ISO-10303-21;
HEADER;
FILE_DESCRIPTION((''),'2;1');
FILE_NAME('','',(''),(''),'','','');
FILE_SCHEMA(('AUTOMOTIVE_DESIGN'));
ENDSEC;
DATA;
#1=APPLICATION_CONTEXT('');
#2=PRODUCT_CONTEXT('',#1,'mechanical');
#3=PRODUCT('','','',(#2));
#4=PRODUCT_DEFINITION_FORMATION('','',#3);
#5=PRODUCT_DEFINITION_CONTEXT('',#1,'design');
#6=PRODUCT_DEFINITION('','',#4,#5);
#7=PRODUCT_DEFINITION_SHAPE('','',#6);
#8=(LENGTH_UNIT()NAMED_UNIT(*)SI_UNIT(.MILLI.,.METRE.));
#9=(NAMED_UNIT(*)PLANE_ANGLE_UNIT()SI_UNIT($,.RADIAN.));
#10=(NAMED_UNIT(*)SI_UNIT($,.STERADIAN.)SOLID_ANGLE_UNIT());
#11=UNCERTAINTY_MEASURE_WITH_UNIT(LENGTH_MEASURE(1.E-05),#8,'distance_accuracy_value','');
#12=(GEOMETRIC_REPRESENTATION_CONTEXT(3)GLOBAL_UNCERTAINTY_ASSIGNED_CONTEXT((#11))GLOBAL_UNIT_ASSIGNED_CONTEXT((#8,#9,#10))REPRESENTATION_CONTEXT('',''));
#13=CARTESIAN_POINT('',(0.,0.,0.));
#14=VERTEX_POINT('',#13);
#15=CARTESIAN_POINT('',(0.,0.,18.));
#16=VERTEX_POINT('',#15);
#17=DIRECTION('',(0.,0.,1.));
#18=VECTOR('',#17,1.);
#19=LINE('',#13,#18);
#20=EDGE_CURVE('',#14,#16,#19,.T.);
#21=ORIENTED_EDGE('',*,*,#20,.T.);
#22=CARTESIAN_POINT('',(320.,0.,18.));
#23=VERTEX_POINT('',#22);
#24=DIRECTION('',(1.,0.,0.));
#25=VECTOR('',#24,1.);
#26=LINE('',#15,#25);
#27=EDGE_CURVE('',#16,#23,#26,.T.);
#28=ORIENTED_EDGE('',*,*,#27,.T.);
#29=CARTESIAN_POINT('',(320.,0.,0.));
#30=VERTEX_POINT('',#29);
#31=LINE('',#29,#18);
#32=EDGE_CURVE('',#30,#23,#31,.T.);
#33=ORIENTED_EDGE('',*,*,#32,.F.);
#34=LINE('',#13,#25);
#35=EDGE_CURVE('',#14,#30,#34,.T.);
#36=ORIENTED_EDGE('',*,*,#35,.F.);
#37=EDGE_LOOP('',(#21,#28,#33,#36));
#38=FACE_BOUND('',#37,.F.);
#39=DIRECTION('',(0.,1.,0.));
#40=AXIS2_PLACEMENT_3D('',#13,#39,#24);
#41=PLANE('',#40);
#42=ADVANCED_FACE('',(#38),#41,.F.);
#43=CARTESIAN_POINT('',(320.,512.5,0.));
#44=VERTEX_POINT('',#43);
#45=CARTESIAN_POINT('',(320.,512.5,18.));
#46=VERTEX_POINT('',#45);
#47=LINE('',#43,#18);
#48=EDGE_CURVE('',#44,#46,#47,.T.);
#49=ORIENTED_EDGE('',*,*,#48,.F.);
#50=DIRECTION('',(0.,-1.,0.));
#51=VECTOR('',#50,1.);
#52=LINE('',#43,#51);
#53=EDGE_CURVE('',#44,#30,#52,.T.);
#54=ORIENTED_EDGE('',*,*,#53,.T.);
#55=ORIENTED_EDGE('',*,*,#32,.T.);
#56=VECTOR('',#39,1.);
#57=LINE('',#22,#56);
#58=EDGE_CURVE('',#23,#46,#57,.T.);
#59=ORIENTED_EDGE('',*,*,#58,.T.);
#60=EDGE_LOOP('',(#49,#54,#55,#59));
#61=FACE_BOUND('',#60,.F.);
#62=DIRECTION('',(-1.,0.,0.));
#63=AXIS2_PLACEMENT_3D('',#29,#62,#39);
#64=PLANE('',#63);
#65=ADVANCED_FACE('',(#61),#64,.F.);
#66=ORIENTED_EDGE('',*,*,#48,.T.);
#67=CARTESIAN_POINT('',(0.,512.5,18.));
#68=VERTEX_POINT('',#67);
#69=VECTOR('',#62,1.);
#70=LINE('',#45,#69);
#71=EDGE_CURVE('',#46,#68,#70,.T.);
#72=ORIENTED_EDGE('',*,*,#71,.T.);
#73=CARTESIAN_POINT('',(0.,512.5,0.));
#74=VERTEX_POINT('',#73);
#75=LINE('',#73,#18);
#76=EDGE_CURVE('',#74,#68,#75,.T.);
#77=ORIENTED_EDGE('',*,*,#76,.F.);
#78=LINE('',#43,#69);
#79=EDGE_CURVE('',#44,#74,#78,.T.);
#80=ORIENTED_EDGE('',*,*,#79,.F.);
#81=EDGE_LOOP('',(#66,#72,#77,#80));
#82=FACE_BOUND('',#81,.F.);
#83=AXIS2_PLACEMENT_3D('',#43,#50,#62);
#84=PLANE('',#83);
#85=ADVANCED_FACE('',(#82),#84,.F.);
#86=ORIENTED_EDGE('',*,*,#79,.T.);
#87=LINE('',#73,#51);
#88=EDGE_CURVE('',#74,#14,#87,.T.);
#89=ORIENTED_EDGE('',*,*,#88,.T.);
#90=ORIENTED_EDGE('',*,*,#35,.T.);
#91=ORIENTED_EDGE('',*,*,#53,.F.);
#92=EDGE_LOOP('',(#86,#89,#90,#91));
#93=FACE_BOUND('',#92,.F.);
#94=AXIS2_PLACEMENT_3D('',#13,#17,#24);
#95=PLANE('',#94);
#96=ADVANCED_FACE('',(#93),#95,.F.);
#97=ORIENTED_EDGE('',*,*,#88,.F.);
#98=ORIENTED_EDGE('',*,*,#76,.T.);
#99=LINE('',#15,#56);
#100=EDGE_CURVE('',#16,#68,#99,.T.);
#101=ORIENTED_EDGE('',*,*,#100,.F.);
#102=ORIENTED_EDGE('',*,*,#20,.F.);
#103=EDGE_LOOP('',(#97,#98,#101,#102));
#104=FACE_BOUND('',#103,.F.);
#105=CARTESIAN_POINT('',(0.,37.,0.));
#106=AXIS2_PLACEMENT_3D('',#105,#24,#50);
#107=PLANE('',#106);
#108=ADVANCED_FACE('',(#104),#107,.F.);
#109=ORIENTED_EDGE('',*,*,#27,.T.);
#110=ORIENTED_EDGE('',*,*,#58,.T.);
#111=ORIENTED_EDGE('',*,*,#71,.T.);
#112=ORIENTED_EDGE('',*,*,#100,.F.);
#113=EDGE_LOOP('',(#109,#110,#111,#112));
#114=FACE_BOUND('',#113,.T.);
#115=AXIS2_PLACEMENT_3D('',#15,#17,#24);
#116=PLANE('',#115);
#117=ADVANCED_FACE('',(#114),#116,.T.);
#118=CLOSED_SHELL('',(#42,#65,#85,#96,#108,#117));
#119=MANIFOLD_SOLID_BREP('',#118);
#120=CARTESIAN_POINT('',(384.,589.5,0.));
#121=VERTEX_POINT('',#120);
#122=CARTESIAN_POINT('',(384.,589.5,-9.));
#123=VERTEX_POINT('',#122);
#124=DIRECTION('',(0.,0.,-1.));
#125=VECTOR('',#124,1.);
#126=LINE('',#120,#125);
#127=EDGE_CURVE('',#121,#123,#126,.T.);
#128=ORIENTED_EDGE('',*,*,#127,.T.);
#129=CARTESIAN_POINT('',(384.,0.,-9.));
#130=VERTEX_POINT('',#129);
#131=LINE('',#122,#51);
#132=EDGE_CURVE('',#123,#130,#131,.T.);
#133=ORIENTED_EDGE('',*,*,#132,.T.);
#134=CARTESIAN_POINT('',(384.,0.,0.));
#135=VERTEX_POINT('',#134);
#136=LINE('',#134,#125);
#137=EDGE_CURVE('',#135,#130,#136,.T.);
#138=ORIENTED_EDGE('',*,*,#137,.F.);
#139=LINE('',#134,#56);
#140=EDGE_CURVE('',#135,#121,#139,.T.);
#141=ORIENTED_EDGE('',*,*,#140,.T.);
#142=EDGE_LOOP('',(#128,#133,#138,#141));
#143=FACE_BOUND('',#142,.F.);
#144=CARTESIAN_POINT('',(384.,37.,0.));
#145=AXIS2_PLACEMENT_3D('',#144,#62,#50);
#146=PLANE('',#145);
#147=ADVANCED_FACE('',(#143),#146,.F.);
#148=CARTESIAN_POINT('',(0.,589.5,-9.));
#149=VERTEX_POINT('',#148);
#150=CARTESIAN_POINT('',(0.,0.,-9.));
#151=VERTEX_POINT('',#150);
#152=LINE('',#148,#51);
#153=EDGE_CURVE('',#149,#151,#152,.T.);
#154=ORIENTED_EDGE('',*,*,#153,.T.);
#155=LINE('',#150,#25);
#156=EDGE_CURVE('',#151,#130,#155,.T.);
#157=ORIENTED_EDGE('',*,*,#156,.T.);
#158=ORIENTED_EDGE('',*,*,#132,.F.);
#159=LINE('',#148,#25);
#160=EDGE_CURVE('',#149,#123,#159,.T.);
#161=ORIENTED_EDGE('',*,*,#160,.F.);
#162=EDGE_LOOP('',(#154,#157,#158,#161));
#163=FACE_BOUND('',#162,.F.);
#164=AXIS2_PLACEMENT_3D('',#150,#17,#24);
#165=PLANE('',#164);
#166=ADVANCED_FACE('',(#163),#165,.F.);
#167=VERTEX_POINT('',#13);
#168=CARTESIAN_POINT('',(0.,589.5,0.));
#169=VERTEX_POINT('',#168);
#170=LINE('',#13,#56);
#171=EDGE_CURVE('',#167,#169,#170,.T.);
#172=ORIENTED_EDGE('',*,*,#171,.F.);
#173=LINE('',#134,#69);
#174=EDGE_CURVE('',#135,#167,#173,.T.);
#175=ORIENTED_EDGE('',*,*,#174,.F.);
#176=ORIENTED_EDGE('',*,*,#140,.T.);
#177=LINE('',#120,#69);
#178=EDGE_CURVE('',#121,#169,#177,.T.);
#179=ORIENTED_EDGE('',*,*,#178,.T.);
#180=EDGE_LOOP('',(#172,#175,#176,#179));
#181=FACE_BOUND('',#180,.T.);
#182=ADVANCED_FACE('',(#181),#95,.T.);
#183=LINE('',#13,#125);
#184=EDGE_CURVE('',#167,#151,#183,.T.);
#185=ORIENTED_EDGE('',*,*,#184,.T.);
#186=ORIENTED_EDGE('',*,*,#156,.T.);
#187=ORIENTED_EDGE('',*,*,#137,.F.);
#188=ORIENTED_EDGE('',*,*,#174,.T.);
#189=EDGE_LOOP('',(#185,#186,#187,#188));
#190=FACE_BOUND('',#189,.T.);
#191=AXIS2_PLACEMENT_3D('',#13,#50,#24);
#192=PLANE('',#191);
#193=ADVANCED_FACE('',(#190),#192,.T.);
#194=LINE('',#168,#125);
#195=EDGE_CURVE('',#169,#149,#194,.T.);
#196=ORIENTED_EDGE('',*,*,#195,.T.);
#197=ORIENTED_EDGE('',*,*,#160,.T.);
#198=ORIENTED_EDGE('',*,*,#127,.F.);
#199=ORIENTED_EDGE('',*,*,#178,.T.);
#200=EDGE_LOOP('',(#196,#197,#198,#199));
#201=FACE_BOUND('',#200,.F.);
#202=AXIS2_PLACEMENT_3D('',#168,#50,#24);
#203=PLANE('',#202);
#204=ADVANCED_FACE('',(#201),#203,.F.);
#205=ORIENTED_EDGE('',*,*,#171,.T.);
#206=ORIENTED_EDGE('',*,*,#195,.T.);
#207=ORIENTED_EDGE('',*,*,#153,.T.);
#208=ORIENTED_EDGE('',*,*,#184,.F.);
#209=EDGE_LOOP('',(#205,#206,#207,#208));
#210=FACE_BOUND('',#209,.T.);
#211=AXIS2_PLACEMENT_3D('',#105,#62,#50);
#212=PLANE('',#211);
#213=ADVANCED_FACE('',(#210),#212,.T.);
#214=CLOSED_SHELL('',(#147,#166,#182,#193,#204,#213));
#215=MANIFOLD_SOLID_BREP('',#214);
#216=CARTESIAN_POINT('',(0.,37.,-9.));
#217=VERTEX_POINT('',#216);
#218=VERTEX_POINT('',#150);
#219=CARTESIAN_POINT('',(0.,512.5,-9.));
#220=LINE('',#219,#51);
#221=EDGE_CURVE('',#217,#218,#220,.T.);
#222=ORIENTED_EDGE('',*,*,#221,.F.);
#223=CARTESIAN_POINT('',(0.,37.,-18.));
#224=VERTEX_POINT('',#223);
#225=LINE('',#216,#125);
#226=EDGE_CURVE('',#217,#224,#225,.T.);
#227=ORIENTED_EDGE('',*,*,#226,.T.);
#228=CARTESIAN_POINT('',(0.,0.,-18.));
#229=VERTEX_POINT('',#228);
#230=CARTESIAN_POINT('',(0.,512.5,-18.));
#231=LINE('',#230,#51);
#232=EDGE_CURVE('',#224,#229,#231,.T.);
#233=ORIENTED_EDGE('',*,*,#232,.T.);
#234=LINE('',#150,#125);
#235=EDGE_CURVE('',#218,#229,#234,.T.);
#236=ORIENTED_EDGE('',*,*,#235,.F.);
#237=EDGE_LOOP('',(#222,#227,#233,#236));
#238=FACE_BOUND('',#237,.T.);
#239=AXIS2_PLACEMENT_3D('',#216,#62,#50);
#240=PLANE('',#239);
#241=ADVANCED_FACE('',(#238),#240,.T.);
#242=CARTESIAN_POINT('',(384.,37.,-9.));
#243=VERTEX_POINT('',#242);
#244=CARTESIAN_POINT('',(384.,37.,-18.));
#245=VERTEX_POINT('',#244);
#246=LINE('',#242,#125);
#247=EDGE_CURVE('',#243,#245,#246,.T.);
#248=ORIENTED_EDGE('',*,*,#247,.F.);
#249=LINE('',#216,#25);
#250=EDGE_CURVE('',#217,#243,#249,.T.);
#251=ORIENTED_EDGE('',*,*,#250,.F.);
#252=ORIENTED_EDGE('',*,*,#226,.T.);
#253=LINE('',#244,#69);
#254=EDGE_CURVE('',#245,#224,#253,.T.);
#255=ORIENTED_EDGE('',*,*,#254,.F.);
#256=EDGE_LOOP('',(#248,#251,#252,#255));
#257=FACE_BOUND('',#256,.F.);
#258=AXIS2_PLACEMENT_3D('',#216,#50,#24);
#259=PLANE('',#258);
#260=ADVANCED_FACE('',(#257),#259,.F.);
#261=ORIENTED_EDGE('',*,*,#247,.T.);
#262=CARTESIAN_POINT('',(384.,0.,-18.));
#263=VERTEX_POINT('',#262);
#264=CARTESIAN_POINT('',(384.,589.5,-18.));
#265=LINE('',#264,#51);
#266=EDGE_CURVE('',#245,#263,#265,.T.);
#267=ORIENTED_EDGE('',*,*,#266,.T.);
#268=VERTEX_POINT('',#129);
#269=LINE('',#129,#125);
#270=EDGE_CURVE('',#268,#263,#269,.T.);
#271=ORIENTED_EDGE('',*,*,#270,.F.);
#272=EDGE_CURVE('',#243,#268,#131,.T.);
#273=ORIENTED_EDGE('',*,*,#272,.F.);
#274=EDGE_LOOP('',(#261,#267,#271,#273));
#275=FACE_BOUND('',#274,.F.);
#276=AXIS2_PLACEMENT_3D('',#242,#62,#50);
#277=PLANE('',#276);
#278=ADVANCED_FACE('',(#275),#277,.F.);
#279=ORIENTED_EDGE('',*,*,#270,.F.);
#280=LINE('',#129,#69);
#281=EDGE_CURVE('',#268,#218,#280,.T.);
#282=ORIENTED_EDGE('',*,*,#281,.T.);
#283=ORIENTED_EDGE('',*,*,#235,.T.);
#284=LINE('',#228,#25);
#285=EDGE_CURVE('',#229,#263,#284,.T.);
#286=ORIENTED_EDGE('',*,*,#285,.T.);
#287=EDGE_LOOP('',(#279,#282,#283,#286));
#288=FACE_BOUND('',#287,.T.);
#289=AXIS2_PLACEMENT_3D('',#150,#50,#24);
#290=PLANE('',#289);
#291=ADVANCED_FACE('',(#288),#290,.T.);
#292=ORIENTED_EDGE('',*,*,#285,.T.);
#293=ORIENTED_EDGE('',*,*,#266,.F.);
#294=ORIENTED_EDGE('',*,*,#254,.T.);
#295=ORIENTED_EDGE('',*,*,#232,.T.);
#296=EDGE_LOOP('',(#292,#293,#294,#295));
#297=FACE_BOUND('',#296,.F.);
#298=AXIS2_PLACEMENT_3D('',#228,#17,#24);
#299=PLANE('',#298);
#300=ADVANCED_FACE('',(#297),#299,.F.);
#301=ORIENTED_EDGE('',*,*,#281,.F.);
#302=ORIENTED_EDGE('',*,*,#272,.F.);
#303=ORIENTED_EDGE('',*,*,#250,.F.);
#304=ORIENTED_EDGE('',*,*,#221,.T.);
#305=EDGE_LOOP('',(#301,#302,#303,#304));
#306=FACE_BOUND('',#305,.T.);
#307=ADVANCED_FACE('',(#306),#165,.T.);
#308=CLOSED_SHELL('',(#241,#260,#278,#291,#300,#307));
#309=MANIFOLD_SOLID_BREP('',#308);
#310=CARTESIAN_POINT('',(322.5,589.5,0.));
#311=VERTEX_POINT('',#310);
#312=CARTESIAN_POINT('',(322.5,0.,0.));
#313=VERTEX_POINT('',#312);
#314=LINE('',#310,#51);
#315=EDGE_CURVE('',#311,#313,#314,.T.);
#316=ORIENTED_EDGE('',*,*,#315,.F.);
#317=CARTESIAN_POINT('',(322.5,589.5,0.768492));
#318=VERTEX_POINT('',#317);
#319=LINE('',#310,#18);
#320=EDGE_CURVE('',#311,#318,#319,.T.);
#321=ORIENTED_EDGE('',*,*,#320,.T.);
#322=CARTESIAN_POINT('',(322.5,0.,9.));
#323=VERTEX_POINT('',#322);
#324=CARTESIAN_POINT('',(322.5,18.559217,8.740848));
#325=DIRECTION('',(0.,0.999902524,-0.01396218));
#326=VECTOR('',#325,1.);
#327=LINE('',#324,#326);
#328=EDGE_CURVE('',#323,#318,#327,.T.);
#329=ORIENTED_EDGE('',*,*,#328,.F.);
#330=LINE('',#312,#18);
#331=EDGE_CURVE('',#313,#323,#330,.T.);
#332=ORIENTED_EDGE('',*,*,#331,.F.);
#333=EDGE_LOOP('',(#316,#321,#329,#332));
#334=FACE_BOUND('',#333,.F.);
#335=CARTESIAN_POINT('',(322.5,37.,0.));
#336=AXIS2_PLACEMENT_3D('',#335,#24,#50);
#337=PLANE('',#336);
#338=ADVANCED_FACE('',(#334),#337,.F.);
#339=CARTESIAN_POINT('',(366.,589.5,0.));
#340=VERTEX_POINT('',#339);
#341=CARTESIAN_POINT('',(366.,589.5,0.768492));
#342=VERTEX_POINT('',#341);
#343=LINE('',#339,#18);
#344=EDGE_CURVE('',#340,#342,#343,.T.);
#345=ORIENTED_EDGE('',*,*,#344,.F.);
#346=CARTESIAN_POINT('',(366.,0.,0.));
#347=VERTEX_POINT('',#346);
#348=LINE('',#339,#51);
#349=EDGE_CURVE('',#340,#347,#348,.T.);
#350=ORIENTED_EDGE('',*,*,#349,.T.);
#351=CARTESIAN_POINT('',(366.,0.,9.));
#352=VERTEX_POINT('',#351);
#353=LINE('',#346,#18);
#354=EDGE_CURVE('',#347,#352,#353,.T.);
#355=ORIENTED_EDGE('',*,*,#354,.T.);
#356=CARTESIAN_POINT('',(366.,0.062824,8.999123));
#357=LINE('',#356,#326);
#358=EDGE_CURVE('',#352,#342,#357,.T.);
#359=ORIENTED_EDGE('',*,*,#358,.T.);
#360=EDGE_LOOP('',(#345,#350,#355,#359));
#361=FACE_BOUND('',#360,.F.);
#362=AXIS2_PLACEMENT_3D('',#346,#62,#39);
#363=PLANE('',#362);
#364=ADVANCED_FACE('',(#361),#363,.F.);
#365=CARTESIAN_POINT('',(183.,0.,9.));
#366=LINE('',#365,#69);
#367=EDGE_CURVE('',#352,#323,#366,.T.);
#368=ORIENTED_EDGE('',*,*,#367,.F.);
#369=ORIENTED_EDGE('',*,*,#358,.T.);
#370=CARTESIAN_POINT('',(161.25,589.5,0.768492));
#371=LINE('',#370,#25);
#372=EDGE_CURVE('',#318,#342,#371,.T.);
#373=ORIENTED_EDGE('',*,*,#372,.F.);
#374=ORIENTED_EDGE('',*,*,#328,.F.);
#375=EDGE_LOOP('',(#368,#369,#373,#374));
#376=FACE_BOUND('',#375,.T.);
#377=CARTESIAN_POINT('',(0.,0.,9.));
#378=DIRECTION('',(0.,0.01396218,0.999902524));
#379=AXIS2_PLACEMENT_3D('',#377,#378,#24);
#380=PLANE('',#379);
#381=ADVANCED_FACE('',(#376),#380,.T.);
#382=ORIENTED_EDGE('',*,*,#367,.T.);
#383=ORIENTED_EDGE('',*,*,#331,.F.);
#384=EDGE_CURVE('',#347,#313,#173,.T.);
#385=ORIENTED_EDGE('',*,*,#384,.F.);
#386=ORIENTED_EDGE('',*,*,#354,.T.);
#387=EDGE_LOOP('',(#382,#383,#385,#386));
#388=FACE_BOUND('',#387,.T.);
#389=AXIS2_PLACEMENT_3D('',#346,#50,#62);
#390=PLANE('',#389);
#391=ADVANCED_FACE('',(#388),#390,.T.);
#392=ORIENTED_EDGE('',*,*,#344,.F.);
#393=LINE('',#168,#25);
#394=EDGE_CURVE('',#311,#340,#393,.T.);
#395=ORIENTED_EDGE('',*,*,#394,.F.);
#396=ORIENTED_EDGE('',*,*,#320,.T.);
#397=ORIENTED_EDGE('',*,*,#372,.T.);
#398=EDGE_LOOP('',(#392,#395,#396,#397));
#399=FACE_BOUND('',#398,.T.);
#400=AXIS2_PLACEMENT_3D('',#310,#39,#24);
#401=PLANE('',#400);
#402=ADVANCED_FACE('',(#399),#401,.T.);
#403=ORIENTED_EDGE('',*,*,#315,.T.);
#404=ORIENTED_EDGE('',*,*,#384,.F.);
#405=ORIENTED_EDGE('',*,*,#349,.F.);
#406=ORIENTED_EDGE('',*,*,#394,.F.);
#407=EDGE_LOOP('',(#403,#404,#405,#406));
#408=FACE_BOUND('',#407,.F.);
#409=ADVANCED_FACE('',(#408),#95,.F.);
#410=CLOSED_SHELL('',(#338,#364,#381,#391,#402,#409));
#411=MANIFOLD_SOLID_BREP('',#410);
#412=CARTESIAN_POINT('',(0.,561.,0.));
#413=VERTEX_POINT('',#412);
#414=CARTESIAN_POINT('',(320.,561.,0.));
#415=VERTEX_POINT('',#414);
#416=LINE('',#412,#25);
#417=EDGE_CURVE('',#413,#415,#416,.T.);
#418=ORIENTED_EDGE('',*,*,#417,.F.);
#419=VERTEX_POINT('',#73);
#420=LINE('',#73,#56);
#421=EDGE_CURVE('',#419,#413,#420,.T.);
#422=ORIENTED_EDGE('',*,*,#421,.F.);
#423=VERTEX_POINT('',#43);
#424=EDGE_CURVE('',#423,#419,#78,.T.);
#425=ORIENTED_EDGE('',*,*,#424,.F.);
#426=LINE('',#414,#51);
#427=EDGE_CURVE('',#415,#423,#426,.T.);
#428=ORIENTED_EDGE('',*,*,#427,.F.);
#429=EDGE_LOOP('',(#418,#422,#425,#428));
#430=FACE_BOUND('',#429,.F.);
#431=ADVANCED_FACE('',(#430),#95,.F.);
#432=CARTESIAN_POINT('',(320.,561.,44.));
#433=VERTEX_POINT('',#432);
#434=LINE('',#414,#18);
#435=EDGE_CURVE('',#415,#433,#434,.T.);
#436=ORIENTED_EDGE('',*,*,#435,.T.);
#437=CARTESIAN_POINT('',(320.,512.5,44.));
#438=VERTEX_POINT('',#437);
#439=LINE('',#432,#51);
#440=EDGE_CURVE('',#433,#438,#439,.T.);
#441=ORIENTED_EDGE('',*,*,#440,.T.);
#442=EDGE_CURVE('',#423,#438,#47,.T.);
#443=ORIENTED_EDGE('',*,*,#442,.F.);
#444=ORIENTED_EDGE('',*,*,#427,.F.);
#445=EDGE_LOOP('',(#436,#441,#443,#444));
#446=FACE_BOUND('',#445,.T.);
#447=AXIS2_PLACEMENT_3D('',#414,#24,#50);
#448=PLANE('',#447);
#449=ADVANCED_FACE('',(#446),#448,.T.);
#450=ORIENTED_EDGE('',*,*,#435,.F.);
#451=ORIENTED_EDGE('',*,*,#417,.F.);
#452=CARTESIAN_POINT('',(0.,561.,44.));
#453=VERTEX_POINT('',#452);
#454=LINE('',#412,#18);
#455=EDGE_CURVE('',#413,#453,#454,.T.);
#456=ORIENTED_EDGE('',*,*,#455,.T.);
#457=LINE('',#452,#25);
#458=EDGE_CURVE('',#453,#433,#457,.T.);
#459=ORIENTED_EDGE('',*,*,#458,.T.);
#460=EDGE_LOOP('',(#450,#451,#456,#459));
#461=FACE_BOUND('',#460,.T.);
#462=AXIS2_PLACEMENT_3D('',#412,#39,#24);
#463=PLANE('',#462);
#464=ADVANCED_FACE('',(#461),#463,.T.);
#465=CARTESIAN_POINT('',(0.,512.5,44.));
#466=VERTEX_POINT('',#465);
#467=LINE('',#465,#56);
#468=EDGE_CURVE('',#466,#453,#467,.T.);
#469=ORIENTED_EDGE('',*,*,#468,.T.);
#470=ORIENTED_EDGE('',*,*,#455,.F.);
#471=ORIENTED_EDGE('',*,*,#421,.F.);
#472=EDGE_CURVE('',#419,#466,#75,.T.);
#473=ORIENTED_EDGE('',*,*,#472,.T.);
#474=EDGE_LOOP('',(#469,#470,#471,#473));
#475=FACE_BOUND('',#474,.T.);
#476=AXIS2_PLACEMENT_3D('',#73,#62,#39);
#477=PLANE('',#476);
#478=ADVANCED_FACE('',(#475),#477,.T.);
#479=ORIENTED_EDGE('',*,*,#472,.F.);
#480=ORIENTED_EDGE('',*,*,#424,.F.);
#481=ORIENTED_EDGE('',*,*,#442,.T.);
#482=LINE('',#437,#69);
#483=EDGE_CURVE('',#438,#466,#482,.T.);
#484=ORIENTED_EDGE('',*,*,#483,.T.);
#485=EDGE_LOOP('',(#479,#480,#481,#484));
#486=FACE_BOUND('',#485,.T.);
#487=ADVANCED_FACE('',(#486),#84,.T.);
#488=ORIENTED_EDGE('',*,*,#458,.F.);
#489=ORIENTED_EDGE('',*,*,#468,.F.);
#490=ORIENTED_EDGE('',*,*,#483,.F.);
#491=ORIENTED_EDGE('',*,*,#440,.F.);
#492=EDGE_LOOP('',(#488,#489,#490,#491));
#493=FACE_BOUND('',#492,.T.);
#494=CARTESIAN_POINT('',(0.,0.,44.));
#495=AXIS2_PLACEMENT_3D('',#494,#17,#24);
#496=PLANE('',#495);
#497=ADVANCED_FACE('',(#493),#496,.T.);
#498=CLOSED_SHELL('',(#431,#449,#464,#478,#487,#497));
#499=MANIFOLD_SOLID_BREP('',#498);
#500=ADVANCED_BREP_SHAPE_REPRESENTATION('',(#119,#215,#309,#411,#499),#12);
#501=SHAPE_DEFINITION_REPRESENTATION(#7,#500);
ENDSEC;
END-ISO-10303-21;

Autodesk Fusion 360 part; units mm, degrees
sketch "Sketch1" plane through (0, 0, 0) normal (0, 0, 1) x (1, 0, 0)
  line L0 (0, 0) -> (320, 0)
  line L1 (320, 0) -> (320, 512.5)
  line L2 (320, 512.5) -> (0, 512.5)
  line L3 (0, 512.5) -> (0, 0)
  line L4 (0, 512.5) -> (0, 589.5)
  line L5 (0, 589.5) -> (384, 589.5)
  line L6 (384, 589.5) -> (384, 0)
  line L7 (384, 0) -> (320, 0)
  line L8 (0, 561) -> (320, 561)
  line L9 (320, 561) -> (320, 512.5)
  line L10 (322.5, 589.5) -> (322.5, 0)
  line L11 (366, 0) -> (366, 589.5)
  line L12 (0, 37) -> (384, 37)
  dimension "d1" = 512.5
  dimension "d2" = 320
  dimension "d3" = 77
  dimension "d4" = 64
  dimension "d5" = 48.5
  dimension "d6" = 43.5
  dimension "d7" = 2.5
  dimension "d18" = 37
extrude "Extrude1" add sketch "Sketch1" against normal blind 9 makes body 1
extrude "Extrude2" add sketch "Sketch1" along normal blind 18 separate body contours L0 L1 L3 L12 | L1 L2 L3 L12 makes body 2
extrude "Extrude3" add sketch "Sketch1" along normal blind 44 separate body contours L2 L4 L8 L9 makes body 3
extrude "Extrude4" add sketch "Sketch1" along normal blind 9 separate body contours L7 L10 L11 L12 | L5 L10 L11 L12 makes body 4
draft "Draft1" angle -0.8 neutral plane through (366, 0, 0) pull (0, -1, 0) 1 faces at (337, 393, 9) on bodies 4
extrude "Extrude5" add sketch "Sketch1" against normal blind 9 from surface at -9 separate body contours L0 L1 L3 L12 | L1 L7 L10 L12 | L7 L10 L11 L12 | L6 L7 L11 L12 makes body 5
